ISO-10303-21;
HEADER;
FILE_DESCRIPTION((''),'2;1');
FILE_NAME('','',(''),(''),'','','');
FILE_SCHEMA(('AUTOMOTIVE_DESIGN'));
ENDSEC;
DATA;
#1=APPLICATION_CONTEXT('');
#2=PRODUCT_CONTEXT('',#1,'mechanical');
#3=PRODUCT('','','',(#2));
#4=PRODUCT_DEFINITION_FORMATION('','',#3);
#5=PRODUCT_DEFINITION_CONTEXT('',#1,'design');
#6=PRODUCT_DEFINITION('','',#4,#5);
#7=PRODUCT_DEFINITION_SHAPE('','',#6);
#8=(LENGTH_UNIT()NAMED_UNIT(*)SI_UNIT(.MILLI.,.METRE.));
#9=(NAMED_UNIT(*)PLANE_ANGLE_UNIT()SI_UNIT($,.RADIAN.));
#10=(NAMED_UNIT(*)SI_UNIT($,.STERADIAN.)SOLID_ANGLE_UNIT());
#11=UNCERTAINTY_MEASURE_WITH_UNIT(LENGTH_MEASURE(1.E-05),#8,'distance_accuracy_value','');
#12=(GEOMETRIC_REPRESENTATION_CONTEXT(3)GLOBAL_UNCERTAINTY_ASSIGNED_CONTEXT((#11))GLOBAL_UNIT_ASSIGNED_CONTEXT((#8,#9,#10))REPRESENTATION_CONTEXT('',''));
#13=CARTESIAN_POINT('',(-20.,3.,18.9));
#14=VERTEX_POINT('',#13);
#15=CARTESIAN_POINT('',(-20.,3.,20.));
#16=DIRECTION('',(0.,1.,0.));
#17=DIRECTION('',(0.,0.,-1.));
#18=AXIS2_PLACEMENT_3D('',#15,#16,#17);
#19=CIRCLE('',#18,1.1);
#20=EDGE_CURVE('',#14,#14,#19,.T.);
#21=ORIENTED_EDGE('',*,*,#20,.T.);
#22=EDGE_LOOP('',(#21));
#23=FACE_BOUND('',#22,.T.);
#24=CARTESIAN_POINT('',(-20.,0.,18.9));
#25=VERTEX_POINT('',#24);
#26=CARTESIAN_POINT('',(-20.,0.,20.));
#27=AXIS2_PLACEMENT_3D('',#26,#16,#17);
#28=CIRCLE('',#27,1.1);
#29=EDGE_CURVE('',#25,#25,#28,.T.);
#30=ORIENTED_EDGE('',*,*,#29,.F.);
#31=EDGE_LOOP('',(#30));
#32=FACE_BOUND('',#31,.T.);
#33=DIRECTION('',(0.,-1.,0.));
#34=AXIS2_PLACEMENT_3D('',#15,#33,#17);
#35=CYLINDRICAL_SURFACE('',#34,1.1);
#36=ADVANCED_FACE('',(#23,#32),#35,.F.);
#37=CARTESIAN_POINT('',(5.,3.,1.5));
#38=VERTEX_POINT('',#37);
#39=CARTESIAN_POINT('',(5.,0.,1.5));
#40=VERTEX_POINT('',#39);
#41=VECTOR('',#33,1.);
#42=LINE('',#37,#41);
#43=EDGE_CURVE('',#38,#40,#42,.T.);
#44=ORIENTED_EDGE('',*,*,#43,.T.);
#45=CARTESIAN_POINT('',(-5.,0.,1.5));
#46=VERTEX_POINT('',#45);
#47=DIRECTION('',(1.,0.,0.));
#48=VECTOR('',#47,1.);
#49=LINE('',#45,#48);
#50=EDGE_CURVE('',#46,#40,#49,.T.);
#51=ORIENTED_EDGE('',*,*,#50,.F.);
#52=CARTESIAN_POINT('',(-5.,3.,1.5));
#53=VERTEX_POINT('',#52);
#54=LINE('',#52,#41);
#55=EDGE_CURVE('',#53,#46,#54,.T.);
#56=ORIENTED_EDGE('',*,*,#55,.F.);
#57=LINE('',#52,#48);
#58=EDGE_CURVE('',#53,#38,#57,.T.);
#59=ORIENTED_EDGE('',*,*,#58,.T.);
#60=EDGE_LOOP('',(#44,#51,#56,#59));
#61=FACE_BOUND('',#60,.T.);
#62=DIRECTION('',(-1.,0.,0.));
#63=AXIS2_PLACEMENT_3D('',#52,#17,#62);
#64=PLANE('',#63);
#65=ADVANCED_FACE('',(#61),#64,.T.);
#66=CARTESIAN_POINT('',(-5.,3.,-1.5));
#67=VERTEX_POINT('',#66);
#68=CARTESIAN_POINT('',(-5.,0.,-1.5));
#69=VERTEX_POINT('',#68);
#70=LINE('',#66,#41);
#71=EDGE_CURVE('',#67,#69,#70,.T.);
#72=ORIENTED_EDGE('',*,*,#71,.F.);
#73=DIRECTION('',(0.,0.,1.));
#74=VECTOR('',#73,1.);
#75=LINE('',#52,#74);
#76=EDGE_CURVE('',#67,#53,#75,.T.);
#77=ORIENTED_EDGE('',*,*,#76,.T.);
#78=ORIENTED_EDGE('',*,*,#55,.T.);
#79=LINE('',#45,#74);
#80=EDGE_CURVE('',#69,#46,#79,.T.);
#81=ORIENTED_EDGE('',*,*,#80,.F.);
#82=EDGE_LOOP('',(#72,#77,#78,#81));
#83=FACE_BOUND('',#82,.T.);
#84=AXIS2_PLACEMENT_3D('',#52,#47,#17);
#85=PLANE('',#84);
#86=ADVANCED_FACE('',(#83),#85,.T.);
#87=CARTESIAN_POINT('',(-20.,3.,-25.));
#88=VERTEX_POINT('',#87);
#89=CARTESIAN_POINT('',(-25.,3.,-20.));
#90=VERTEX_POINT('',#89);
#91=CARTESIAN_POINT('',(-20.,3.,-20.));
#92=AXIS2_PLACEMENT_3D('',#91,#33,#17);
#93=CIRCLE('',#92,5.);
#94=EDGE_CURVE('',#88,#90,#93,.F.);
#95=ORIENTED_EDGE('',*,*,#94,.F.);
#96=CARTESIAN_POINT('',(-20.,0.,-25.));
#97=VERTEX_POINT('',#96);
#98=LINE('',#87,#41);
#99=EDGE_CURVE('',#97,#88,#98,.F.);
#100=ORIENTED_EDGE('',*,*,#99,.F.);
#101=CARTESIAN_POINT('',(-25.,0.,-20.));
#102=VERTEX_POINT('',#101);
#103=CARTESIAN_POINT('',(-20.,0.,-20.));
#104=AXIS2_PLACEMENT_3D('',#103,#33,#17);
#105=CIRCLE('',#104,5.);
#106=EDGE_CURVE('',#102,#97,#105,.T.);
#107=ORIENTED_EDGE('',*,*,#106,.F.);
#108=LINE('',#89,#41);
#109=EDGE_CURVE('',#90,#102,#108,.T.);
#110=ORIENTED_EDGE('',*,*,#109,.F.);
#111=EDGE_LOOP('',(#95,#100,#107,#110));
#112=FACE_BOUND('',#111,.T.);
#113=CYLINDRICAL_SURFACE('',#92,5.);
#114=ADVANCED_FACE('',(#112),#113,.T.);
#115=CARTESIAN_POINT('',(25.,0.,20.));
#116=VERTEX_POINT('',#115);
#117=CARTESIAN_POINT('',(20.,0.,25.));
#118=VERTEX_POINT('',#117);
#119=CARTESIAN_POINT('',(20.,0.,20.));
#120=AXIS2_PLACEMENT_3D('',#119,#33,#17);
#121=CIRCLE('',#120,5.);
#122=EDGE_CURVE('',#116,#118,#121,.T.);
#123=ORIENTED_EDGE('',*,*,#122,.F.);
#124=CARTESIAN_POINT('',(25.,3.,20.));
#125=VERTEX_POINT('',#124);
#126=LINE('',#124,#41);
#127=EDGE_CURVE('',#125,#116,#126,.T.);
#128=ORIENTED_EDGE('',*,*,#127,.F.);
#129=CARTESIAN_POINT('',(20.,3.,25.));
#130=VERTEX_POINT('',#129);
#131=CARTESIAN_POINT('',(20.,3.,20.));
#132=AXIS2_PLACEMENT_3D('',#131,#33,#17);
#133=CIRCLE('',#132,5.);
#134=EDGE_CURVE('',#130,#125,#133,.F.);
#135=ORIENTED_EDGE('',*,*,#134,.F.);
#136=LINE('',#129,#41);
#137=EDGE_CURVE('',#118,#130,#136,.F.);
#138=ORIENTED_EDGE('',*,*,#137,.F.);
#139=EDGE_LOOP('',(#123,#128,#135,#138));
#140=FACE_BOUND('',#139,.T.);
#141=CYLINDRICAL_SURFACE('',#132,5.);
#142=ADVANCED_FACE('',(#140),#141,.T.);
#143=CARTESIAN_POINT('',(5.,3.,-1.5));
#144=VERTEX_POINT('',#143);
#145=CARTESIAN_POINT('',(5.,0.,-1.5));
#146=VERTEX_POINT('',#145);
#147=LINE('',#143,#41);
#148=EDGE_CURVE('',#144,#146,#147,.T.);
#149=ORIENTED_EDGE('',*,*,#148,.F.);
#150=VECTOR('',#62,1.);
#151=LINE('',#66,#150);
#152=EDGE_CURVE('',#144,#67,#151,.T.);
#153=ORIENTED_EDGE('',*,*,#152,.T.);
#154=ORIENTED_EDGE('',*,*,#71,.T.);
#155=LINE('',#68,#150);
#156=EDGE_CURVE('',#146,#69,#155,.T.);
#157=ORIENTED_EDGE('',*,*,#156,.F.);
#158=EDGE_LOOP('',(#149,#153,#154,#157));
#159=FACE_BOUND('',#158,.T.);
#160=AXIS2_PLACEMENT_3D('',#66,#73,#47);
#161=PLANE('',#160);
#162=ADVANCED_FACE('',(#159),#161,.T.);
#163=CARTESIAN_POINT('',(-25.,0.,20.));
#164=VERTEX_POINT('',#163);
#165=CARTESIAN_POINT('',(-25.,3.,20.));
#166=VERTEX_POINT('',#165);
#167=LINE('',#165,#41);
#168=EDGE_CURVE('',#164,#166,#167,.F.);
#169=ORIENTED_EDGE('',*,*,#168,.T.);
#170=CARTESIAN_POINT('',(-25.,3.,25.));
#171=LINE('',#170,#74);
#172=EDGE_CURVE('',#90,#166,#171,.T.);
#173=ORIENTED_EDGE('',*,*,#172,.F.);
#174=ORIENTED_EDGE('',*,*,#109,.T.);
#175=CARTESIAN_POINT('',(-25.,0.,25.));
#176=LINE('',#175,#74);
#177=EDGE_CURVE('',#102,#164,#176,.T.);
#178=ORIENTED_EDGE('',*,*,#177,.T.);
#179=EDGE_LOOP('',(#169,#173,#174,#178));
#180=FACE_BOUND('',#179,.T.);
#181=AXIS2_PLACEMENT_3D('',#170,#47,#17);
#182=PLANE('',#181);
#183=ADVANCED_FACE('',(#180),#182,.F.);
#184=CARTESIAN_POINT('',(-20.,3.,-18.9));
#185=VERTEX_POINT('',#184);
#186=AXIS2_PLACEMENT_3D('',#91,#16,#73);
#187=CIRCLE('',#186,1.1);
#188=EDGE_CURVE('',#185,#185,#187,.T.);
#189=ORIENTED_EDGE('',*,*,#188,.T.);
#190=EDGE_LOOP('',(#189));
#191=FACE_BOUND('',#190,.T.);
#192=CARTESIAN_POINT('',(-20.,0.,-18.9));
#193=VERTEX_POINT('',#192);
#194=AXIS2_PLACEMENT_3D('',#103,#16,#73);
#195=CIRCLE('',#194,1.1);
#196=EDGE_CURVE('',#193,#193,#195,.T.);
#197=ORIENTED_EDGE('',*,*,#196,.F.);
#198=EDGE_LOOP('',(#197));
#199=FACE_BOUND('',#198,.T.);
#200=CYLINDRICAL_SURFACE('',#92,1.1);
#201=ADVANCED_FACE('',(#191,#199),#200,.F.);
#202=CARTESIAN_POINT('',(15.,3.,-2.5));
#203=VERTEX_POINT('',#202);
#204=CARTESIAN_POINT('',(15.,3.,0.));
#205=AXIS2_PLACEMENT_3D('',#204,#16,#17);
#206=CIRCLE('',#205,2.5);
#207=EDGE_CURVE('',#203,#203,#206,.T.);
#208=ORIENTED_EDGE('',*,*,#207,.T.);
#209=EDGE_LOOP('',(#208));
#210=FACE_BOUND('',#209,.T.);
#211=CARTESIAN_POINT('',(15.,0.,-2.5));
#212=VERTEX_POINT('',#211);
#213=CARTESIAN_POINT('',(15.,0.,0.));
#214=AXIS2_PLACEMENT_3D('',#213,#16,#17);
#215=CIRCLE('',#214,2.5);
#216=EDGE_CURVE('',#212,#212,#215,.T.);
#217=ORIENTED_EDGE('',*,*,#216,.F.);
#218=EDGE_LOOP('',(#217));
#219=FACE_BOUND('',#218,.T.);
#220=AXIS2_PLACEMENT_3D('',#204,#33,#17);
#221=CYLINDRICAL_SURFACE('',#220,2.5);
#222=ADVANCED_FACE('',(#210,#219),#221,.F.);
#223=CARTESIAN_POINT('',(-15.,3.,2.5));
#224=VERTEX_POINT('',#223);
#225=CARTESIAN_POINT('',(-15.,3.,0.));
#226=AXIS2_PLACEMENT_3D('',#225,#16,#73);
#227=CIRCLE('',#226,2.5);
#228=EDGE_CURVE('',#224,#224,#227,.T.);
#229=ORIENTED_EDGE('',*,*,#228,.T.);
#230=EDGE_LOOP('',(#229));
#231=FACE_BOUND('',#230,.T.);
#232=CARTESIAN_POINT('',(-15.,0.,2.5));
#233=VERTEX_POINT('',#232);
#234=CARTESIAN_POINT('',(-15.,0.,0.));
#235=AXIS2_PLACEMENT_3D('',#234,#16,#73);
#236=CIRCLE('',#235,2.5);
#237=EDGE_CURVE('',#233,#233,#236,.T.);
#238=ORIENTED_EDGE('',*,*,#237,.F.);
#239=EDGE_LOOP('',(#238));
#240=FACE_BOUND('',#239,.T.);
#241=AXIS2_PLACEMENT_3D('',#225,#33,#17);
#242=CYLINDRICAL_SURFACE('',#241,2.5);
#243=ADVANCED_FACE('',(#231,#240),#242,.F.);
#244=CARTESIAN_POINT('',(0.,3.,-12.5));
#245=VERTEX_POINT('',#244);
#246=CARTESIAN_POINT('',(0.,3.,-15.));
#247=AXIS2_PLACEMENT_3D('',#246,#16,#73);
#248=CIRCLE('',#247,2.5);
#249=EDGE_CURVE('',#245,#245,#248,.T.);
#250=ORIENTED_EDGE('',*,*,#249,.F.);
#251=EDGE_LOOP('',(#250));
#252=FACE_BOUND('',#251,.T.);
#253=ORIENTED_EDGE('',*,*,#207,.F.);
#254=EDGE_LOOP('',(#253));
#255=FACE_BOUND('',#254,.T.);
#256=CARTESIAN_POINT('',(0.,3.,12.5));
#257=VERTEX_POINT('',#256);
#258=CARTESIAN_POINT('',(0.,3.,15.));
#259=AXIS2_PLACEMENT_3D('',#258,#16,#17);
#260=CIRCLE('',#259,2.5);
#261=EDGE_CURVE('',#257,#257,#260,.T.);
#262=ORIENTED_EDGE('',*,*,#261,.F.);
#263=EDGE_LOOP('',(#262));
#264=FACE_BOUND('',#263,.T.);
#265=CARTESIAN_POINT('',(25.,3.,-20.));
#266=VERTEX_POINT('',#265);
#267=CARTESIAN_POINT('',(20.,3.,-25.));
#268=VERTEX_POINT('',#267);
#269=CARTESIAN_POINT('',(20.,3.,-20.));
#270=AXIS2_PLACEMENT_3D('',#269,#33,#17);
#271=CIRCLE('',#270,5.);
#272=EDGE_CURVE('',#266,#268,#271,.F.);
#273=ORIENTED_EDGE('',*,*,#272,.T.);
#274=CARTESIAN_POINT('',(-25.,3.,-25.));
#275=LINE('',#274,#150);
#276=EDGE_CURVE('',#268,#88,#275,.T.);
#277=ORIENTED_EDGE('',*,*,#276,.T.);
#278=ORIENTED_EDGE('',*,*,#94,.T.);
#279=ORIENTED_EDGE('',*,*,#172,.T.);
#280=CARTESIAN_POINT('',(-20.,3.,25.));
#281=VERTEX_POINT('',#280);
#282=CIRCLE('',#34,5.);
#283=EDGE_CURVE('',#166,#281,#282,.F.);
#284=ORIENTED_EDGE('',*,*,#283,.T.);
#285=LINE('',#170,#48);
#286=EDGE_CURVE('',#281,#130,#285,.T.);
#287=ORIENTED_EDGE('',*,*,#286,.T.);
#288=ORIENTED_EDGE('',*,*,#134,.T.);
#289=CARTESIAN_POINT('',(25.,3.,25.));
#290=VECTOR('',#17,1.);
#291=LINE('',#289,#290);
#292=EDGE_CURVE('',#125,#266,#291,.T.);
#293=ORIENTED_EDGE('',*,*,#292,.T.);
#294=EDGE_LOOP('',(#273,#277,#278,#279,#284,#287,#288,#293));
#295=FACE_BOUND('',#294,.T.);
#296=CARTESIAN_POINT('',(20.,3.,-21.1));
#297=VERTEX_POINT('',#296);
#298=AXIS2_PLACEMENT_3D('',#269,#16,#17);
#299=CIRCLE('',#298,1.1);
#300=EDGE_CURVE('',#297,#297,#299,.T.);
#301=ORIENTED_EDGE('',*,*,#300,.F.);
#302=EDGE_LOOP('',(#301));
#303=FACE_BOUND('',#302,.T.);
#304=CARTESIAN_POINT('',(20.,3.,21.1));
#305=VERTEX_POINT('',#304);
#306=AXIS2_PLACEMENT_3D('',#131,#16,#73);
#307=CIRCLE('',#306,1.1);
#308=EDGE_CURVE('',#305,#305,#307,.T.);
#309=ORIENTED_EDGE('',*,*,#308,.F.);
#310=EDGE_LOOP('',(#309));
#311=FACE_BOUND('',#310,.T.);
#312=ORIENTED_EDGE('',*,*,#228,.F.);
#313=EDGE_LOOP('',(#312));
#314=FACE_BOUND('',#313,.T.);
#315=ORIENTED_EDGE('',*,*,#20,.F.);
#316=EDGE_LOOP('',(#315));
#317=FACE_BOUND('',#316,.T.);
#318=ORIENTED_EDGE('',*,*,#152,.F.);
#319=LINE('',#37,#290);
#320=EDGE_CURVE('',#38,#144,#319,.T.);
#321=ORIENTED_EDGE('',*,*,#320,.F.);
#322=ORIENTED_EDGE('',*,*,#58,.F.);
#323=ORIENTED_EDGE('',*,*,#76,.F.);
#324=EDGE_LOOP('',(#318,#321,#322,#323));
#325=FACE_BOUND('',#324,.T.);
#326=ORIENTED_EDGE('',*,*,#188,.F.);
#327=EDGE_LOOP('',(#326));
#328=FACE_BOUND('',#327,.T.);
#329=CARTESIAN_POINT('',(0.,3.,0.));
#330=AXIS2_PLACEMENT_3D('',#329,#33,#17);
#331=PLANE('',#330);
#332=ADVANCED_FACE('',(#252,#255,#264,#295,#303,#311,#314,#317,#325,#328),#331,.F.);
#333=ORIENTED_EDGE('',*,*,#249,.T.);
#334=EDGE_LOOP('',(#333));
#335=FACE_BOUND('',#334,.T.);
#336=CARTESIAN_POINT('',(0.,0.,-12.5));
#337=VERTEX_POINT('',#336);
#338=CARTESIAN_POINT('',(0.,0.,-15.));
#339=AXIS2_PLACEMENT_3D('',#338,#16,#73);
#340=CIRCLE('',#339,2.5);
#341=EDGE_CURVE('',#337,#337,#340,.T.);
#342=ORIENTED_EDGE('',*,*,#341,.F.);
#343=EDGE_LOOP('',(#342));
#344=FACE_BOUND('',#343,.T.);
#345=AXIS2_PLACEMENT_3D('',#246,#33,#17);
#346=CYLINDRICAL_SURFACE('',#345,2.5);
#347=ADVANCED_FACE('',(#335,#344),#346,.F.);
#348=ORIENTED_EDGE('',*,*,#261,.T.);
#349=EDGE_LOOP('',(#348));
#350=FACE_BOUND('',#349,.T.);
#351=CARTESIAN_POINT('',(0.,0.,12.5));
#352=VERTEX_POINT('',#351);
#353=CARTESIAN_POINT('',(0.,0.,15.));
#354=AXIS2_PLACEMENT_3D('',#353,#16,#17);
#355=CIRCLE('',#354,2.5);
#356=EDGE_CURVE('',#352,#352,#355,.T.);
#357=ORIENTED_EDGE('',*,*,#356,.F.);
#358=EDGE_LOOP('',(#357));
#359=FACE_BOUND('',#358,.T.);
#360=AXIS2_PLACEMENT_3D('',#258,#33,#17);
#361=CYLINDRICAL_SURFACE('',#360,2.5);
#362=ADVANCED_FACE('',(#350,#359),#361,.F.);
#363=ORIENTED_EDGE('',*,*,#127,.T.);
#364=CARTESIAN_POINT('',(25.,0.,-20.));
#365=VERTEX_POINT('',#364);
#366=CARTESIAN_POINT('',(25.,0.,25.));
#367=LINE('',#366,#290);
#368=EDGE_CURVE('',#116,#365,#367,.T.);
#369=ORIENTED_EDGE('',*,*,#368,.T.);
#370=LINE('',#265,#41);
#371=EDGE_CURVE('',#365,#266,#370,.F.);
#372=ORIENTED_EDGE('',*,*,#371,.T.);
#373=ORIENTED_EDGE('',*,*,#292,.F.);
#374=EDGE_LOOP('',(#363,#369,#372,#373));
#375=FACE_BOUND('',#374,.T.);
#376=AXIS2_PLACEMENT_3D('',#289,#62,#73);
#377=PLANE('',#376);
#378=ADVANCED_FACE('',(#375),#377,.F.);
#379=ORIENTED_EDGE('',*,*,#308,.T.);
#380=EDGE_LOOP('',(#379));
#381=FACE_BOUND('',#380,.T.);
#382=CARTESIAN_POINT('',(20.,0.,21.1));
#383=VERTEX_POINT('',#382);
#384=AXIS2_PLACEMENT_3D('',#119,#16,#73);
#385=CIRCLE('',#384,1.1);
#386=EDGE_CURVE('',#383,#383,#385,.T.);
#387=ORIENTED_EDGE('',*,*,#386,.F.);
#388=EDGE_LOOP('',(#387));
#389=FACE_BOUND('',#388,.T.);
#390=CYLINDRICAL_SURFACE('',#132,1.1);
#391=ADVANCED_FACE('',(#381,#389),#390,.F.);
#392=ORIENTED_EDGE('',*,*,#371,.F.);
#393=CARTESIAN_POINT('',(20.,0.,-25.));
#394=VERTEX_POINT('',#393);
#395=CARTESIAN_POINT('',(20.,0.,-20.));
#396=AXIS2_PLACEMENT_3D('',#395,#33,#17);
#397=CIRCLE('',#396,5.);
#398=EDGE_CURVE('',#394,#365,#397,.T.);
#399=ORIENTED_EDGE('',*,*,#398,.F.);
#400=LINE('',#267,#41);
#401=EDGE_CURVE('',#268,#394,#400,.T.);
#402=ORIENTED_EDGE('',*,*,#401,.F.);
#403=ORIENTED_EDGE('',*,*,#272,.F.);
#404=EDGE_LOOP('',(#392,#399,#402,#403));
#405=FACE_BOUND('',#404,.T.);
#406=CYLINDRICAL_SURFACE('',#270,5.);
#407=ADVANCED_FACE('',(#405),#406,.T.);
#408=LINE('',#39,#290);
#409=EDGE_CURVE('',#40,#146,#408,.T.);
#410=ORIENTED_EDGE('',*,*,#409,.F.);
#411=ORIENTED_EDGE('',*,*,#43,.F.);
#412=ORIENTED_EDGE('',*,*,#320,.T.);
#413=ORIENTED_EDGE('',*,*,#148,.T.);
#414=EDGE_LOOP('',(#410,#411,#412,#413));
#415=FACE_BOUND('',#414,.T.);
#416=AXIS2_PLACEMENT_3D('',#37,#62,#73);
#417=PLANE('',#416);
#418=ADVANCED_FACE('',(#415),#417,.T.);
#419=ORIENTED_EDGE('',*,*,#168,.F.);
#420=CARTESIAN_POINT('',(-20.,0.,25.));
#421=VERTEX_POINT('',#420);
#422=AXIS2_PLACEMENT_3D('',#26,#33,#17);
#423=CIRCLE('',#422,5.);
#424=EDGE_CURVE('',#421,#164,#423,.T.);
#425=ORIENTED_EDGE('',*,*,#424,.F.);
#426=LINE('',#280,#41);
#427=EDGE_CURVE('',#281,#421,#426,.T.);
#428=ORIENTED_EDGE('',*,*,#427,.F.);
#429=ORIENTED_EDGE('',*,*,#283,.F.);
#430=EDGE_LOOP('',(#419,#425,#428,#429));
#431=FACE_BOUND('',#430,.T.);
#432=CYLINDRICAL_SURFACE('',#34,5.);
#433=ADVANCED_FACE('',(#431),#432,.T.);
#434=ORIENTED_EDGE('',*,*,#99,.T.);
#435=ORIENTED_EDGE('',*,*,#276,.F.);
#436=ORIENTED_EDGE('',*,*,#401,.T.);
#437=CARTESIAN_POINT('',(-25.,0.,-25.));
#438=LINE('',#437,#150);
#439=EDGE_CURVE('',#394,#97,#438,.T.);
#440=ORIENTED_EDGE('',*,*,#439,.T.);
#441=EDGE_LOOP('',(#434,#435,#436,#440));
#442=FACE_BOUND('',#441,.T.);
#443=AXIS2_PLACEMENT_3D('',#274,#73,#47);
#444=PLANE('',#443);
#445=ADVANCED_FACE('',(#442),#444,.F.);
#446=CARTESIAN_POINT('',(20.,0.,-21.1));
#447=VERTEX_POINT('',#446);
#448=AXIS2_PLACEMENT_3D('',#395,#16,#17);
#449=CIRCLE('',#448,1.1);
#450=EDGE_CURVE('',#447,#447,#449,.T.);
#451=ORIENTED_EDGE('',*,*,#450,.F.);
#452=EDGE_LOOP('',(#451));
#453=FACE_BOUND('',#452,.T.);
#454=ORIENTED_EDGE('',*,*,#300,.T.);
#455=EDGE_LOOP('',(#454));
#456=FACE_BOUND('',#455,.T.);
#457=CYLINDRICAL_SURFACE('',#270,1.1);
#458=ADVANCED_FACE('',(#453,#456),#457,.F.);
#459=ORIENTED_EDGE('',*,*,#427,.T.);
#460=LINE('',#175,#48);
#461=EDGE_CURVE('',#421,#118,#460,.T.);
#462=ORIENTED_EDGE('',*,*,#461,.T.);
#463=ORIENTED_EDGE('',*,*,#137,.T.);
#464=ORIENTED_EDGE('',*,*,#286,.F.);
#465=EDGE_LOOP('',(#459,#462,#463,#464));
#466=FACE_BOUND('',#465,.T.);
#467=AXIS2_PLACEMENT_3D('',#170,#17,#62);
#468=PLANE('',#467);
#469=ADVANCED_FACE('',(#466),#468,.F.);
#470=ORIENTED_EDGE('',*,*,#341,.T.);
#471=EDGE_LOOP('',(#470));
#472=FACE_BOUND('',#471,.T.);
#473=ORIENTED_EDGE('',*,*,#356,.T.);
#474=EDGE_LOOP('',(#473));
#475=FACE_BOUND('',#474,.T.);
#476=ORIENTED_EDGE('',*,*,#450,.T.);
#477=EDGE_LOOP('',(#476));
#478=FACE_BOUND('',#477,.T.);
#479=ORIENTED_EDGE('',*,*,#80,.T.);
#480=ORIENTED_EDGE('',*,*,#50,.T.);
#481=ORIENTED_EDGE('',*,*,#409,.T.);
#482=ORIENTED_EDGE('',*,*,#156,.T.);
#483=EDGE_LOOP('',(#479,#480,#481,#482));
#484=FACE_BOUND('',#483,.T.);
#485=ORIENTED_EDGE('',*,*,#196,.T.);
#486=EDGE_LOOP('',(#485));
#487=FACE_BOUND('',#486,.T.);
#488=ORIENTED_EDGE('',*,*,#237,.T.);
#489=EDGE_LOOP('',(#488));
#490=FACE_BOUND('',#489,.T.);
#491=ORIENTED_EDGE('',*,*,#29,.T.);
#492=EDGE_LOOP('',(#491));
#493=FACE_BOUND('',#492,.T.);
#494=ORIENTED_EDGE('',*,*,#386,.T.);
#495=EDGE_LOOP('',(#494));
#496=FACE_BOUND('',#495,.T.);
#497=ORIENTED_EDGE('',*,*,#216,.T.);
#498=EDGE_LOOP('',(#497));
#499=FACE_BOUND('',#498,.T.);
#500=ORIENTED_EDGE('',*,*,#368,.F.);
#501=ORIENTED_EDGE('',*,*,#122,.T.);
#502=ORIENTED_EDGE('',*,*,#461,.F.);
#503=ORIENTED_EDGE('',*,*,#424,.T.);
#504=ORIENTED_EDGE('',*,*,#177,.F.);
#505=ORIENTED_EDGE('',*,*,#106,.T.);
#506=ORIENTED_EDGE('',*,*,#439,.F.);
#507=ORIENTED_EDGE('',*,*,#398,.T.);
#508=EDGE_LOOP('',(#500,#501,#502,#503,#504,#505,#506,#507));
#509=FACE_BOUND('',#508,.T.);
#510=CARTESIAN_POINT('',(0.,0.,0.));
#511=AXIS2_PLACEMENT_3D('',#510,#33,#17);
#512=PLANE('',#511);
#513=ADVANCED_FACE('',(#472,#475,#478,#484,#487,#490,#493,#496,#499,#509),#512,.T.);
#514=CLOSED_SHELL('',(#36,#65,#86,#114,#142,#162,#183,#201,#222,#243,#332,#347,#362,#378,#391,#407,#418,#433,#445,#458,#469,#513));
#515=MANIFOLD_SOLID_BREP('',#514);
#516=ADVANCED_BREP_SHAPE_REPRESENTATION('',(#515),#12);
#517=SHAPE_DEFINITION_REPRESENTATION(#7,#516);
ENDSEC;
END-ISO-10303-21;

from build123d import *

# Parameters (mm, degrees)
SKETCH1_W           = 50
SKETCH1_H           = 50
SKETCH1_R           = 2.5
SKETCH1_R_2         = 1.1
SKETCH1_W_2         = 10
SKETCH1_H_2         = 3
BOSS_EXTRUDE1_DEPTH = 3
FILLET1_R           = 5


with BuildPart() as part:
    # Sketch1 → Boss-Extrude1 (new body)
    with BuildSketch(Plane(origin=(0, 0, 0), x_dir=(1, 0, 0), z_dir=(0, 1, 0))):
        Rectangle(SKETCH1_W, SKETCH1_H)
        with Locations(Location((-15, 0, 0), (0, 0, 270))):
            Circle(SKETCH1_R, mode=Mode.SUBTRACT)
        with Locations(Location((15, 0, 0), (0, 0, 90))):
            Circle(SKETCH1_R, mode=Mode.SUBTRACT)
        with Locations(Location((-20, 20, 0), (0, 0, 270))):
            Circle(SKETCH1_R_2, mode=Mode.SUBTRACT)
        with Locations(Location((20, 20, 0), (0, 0, 90))):
            Circle(SKETCH1_R_2, mode=Mode.SUBTRACT)
        with Locations(Location((20, -20, 0), (0, 0, 270))):
            Circle(SKETCH1_R_2, mode=Mode.SUBTRACT)
        with Locations(Location((-20, -20, 0), (0, 0, 90))):
            Circle(SKETCH1_R_2, mode=Mode.SUBTRACT)
        with Locations(Location((0, 15, 0), (0, 0, 270))):
            Circle(SKETCH1_R, mode=Mode.SUBTRACT)
        with Locations(Location((0, -15, 0), (0, 0, 90))):
            Circle(SKETCH1_R, mode=Mode.SUBTRACT)
        Rectangle(SKETCH1_W_2, SKETCH1_H_2, mode=Mode.SUBTRACT)
    extrude(amount=BOSS_EXTRUDE1_DEPTH)

    # Fillet1
    fillet1_edges = [part.edges().sort_by_distance(p)[0] for p in [
        (25, 1.5, 25),
        (-25, 1.5, 25),
        (-25, 1.5, -25),
        (25, 1.5, -25),
    ]]
    fillet(fillet1_edges, radius=FILLET1_R)


solid = part.part
